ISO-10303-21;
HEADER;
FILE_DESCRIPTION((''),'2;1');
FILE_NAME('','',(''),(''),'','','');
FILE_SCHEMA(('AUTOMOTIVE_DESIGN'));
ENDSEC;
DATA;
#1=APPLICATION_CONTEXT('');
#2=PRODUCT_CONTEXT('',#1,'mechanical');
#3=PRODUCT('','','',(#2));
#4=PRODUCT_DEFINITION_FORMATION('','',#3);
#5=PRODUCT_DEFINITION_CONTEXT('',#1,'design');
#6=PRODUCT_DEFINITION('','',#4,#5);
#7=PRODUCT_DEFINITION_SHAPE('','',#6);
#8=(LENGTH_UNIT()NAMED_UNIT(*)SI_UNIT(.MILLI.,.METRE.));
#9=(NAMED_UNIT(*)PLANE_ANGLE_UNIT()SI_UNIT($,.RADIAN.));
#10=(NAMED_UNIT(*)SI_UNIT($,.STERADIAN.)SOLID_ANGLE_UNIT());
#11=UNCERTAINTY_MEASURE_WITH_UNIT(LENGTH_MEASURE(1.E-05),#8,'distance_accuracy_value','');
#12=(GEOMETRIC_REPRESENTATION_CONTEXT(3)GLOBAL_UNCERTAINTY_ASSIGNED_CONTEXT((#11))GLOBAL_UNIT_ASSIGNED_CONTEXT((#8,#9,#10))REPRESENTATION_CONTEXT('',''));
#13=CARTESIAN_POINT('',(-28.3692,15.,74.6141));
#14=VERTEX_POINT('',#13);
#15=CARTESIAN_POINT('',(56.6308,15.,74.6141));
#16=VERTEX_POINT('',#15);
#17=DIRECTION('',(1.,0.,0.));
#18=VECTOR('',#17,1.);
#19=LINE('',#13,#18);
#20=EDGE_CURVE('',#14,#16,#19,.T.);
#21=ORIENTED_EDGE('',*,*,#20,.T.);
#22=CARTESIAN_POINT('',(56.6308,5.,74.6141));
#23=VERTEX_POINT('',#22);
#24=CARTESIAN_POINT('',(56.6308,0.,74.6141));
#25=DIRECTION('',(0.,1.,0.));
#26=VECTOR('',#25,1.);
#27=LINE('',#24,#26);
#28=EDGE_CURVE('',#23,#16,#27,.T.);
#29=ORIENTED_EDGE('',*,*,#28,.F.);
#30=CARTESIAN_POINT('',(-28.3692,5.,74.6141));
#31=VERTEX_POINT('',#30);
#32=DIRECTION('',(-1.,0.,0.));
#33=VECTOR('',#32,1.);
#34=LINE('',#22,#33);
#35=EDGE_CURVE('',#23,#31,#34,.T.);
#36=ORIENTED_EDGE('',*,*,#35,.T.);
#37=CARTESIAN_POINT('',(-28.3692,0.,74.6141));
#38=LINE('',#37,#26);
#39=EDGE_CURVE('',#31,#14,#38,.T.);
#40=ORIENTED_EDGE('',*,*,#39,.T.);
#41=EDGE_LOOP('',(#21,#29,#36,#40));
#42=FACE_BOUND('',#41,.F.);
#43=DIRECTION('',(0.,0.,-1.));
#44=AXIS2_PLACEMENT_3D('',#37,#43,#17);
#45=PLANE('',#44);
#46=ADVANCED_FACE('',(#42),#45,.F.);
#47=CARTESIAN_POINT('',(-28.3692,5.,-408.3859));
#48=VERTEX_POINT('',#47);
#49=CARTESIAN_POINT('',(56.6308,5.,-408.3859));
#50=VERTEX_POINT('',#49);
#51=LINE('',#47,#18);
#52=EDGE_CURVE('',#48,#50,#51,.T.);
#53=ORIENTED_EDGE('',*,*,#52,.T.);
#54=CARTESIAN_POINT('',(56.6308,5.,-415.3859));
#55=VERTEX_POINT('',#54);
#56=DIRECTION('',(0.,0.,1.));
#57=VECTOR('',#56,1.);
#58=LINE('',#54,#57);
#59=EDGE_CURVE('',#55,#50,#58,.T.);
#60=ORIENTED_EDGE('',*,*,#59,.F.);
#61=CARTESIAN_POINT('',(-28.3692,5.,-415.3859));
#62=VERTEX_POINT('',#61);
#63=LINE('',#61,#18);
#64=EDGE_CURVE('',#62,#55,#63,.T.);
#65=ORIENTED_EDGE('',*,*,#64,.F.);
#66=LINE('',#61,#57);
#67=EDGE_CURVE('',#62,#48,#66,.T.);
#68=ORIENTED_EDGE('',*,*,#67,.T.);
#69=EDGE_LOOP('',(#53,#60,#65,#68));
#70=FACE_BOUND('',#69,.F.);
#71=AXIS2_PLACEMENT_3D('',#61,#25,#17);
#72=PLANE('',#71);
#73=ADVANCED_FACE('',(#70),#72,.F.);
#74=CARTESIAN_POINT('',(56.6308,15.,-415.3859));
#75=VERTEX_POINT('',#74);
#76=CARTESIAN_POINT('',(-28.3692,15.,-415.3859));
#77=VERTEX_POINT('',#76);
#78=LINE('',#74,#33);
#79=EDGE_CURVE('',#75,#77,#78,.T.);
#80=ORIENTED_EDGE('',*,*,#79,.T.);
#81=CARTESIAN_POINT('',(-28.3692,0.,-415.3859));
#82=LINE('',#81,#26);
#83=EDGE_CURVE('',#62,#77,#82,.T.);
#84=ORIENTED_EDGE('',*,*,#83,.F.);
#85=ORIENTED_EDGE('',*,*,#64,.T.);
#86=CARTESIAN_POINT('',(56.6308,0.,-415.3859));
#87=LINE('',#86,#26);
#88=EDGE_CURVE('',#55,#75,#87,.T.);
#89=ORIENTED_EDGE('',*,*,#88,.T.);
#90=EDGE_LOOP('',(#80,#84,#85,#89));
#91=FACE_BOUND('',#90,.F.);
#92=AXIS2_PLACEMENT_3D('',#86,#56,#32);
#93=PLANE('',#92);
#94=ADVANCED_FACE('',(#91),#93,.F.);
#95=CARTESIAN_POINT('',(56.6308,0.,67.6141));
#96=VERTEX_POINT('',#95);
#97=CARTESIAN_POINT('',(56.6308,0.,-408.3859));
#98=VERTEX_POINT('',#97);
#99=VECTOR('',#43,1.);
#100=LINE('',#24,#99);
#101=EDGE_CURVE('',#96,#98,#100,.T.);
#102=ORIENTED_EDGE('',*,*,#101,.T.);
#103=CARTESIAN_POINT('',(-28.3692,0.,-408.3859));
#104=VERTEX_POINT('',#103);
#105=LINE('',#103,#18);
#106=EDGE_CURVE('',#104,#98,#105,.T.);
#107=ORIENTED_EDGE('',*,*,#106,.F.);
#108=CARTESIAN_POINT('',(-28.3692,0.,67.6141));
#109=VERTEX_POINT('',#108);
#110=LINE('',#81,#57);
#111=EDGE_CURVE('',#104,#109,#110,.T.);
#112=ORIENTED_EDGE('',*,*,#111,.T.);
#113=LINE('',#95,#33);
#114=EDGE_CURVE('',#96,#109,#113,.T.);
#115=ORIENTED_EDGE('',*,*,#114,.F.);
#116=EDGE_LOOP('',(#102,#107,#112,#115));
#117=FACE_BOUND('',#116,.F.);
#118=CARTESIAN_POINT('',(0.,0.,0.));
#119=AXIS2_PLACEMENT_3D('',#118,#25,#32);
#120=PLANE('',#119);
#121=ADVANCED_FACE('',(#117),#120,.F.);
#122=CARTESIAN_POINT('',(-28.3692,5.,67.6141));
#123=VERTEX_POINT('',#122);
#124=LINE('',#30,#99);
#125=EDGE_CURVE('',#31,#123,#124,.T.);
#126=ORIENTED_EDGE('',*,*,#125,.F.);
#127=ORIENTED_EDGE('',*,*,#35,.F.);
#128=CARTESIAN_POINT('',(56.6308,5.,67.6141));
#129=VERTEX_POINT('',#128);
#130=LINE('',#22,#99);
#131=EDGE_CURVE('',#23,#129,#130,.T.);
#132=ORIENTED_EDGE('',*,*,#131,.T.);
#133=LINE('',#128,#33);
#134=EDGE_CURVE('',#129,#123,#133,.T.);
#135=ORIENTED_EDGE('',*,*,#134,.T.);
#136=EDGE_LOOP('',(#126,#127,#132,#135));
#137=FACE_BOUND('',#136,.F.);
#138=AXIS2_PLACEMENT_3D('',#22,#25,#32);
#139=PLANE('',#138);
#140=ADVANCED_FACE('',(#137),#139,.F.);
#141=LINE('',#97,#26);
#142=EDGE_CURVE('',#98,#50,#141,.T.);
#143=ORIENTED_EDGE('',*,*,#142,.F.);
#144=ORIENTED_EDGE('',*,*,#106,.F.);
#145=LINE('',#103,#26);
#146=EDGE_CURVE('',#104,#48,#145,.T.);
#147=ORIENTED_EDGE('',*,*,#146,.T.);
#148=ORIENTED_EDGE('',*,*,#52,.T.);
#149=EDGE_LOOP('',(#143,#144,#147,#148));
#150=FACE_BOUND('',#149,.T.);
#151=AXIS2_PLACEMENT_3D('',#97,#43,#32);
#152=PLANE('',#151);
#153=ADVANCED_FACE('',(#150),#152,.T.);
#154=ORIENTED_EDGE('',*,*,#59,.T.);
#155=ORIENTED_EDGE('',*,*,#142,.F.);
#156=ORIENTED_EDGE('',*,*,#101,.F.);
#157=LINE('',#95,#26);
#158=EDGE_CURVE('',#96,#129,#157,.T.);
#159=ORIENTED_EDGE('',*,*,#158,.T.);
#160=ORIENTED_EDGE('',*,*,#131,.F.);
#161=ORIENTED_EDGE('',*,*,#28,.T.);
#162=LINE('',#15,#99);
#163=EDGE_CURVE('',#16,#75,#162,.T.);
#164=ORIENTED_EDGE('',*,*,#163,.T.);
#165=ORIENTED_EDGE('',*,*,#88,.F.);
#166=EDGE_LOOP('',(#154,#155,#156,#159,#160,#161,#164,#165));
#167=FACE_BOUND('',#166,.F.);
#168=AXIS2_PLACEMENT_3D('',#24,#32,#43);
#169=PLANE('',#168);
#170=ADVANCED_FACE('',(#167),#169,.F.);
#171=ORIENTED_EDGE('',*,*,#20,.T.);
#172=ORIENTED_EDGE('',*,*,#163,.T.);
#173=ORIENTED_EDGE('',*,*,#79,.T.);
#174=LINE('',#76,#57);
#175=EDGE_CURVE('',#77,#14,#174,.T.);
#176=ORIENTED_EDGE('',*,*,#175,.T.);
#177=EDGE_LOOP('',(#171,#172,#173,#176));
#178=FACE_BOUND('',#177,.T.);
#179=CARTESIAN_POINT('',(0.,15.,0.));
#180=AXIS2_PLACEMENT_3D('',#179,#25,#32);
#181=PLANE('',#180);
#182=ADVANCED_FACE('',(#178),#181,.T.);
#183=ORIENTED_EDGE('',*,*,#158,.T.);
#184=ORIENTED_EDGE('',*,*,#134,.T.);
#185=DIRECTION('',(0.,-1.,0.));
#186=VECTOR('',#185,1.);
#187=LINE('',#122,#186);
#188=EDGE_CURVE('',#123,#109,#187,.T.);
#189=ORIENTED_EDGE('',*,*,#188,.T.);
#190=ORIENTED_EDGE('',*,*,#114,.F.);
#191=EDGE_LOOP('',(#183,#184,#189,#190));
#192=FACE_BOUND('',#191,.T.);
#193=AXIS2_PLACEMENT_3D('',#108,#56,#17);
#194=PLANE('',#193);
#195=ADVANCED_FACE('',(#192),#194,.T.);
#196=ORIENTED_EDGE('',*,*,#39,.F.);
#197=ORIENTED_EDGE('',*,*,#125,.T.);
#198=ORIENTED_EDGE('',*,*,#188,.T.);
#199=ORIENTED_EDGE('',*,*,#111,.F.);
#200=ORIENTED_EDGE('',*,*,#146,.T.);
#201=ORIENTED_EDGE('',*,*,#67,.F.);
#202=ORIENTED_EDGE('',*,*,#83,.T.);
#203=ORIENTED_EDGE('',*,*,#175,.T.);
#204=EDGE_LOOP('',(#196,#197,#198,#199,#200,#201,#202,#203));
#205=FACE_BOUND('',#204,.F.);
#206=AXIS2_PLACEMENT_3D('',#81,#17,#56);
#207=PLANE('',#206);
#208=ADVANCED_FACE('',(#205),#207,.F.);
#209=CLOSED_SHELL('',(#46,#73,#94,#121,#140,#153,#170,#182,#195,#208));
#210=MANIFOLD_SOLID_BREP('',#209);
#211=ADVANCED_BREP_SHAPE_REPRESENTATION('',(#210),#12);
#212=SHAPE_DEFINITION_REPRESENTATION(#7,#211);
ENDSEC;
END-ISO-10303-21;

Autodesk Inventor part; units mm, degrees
ref_plane "YZ Plane" through (0, 0, 0) normal (1, 0, 0) x (0, 1, 0)
ref_plane "XZ Plane" through (0, 0, 0) normal (0, 1, 0) x (-1, 0, 0)
ref_plane "XY Plane" through (0, 0, 0) normal (0, 0, 1) x (1, 0, 0)
sketch "Sketch1" plane through (0, 0, 0) normal (0, 1, 0) x (-1, 0, 0)
  line L0 (28.3692, 74.6141) -> (-56.6308, 74.6141)
  line L1 (-56.6308, 74.6141) -> (-56.6308, -415.3859)
  line L2 (-56.6308, -415.3859) -> (28.3692, -415.3859)
  line L3 (28.3692, -415.3859) -> (28.3692, 74.6141)
  point P0 (0, 0)
  dimension "d0" = 85
  dimension "d1" = 490
extrude "Extrusion1" add sketch "Sketch1" along normal blind 15
sketch "Sketch2" plane through (-28.3692, 0, 74.6141) normal (0, 0, 1) x (1, 0, 0)
  line L0 (85, 0) -> (0, 0) projected
  line L1 (0, 0) -> (85, 0)
  line L2 (85, 0) -> (85, 5)
  line L3 (85, 5) -> (0, 5)
  line L4 (0, 5) -> (0, 0)
  point P0 (28.3692, 0)
  dimension "d4" = 85
  dimension "d5" = 5
extrude "Extrusion2" cut sketch "Sketch2" against normal blind 7
sketch "Sketch3" plane through (56.6308, 0, -415.3859) normal (0, 0, -1) x (-1, 0, 0)
  line L0 (85, 0) -> (85, 15) projected
  line L1 (85, 5) -> (0, 5) projected
  line L2 (85, 0) -> (0, 0)
  line L3 (0, 0) -> (0, 5)
  line L4 (0, 5) -> (85, 5)
  line L5 (85, 5) -> (85, 0)
  point P0 (56.6308, 0)
  dimension "d8" = 85
  dimension "d9" = 5
extrude "Extrusion3" cut sketch "Sketch3" against normal blind 7
properties part number "Arcade_top"
